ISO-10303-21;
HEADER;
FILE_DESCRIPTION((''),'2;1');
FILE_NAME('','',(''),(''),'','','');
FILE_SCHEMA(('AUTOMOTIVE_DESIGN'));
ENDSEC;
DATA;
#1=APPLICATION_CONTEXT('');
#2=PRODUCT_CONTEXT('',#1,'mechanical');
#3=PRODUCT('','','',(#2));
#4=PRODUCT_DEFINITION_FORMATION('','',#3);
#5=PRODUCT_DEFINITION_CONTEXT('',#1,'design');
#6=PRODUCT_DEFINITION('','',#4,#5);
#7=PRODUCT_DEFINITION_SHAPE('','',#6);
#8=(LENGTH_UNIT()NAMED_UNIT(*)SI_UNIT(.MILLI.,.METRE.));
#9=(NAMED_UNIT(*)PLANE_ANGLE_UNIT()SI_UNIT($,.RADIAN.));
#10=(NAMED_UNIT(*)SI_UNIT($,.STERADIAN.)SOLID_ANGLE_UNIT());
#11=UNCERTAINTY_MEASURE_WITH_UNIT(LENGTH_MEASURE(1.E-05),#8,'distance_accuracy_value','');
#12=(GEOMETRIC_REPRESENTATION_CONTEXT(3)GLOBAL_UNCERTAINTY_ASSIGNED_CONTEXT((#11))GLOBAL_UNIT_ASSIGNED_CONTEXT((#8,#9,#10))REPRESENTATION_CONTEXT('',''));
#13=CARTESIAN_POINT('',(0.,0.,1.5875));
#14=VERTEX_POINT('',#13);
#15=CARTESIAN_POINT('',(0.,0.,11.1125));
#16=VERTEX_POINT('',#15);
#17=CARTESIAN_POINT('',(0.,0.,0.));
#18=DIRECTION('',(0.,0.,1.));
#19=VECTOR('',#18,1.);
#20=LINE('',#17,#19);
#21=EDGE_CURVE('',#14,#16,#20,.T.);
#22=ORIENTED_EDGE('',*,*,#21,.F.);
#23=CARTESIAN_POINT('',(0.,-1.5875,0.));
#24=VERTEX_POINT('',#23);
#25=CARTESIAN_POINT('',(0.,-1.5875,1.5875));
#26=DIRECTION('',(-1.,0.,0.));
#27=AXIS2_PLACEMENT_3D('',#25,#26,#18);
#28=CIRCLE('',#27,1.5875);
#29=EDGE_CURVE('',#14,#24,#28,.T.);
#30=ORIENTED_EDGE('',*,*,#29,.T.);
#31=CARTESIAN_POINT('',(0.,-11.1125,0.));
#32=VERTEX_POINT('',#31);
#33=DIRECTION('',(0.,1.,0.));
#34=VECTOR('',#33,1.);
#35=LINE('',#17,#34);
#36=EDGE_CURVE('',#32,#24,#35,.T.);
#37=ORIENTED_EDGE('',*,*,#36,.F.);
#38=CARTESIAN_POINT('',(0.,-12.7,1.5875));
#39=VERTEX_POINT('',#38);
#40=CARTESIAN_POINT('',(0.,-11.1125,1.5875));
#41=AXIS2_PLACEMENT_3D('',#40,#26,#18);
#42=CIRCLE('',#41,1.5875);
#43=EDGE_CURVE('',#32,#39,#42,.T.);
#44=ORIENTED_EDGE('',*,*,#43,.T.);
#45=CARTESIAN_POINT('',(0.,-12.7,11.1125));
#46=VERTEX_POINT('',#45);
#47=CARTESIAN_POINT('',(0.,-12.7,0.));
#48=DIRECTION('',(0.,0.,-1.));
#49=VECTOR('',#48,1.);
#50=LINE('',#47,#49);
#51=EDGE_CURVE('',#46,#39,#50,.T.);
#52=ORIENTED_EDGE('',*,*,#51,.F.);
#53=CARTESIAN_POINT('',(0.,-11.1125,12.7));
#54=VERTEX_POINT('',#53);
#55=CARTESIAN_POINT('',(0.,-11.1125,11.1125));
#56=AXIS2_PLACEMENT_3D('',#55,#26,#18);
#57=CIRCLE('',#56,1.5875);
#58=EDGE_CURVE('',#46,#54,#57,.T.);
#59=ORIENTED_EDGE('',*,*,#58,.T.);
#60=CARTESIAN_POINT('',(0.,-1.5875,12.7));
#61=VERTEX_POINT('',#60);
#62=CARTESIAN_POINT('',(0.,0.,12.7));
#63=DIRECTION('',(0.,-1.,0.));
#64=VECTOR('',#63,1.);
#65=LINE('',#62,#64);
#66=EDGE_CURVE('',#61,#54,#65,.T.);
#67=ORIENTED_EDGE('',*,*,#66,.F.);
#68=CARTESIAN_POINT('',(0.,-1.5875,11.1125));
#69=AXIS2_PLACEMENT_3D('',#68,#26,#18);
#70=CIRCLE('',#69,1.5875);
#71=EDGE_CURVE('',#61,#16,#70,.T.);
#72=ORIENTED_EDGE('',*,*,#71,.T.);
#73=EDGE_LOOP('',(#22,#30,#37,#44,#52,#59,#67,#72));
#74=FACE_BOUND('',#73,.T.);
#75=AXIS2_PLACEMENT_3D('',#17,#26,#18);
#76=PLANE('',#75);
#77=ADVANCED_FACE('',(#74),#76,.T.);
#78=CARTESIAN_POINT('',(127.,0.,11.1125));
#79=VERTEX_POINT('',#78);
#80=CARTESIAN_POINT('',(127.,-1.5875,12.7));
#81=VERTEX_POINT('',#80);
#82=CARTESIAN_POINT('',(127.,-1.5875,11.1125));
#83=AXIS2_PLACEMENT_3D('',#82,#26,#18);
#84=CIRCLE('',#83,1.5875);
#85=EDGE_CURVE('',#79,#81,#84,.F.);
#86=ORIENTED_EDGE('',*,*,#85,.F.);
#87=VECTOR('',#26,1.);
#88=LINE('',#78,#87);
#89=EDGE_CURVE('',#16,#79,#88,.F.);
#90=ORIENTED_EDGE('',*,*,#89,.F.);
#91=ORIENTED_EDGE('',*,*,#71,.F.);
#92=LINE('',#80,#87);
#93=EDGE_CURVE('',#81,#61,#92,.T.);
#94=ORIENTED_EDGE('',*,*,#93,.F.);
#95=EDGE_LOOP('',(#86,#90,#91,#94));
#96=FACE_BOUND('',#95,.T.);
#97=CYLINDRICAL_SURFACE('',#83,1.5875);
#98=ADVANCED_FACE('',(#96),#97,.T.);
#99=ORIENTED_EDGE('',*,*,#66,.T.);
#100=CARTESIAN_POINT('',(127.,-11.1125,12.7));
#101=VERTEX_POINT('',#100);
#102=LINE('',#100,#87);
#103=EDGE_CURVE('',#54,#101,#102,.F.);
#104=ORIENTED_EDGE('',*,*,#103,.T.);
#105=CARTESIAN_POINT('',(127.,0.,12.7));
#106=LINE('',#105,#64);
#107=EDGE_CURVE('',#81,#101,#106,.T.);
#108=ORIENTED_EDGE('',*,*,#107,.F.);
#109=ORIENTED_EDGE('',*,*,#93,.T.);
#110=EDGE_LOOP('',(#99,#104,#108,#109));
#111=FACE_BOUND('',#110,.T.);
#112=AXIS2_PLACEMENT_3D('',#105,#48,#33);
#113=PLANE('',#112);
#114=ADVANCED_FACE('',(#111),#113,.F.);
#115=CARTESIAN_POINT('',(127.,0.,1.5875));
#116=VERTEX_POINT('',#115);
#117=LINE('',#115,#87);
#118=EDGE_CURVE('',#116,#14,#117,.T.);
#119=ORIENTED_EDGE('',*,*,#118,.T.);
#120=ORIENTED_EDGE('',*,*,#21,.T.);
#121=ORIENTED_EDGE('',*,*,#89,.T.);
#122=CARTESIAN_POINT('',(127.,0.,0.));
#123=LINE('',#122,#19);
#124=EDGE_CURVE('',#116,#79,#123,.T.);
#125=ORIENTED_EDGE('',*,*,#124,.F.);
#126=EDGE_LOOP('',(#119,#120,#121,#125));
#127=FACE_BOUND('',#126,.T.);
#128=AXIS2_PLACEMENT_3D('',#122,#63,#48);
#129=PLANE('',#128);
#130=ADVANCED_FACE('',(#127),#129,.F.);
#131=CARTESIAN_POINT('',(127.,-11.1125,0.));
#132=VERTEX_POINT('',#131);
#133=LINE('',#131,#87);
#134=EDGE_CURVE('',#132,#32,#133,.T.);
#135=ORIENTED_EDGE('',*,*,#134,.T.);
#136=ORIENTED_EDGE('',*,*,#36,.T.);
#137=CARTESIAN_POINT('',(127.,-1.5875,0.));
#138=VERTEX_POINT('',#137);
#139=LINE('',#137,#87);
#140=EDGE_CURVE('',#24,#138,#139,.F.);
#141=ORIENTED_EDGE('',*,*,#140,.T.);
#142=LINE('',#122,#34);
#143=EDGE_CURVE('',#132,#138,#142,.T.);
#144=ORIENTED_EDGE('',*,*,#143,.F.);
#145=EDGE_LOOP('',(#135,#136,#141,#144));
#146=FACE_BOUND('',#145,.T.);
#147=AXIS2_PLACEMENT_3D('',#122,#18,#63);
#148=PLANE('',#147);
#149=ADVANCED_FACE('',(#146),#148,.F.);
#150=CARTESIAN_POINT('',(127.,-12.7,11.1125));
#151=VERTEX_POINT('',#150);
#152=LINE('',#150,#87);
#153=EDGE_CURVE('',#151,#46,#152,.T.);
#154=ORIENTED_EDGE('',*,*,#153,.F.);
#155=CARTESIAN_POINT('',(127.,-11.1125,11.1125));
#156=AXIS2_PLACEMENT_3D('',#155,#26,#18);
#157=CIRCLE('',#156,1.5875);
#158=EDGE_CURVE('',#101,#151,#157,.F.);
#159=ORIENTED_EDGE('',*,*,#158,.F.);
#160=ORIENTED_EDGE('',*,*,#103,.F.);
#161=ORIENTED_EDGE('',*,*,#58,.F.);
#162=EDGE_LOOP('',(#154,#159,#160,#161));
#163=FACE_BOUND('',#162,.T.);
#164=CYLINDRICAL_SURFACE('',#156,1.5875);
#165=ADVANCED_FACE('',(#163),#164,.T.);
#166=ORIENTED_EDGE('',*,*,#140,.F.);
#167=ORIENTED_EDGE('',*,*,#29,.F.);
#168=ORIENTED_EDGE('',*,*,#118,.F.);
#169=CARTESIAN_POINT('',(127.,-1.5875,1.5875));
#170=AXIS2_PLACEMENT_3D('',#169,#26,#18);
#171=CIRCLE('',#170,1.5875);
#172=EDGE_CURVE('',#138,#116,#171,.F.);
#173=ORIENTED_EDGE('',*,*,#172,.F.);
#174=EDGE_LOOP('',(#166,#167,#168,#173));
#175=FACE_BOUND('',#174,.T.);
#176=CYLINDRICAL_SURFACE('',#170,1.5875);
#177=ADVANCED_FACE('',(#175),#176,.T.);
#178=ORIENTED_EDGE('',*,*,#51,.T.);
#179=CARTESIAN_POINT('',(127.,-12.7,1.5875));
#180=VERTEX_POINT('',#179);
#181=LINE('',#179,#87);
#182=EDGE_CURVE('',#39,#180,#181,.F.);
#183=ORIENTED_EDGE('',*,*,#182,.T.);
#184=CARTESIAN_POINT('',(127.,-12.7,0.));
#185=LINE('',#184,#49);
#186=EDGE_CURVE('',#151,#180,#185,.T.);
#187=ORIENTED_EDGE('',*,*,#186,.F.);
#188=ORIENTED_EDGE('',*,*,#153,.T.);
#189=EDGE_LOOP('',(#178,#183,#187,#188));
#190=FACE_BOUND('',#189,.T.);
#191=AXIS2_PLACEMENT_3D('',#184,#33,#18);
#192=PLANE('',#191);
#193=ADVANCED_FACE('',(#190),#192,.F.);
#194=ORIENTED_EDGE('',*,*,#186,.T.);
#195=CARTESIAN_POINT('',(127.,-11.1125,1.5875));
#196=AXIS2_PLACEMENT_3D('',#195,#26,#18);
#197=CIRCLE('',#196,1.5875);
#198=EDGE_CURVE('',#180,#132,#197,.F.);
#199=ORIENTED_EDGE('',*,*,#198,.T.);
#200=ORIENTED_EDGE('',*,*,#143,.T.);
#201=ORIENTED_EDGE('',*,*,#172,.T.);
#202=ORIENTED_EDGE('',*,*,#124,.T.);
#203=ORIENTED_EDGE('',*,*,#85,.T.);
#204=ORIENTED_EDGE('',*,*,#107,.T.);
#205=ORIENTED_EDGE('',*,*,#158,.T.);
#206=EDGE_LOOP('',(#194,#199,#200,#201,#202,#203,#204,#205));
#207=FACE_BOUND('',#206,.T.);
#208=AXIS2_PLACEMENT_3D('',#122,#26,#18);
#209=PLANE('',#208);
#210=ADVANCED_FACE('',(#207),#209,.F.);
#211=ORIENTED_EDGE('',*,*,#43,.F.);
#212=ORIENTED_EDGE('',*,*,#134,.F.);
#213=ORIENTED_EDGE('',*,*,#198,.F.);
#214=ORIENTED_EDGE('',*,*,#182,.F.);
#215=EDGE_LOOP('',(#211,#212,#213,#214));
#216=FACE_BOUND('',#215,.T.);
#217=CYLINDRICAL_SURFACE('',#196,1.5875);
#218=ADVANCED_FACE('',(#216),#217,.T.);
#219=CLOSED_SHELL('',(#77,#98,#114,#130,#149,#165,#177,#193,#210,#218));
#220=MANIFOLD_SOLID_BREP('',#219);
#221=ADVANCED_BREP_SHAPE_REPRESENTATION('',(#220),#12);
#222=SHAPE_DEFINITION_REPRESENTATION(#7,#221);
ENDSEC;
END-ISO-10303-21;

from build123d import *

# Parameters (mm, degrees)
SKETCH1_W           = 12.7
SKETCH1_H           = 12.7
BOSS_EXTRUDE1_DEPTH = 127
FILLET1_R           = 1.5875


with BuildPart() as part:
    # Sketch1 → Boss-Extrude1 (new body)
    with BuildSketch(Plane(origin=(0, 0, 0), x_dir=(0, 0, -1), z_dir=(1, 0, 0))):
        with Locations((-6.35, -6.35)):
            Rectangle(SKETCH1_W, SKETCH1_H)
    extrude(amount=BOSS_EXTRUDE1_DEPTH)

    # Fillet1
    fillet1_edges = [part.edges().sort_by_distance(p)[0] for p in [
        (63.5, -12.7, 0),
        (63.5, -12.7, 12.7),
        (63.5, 0, 12.7),
        (63.5, 0, 0),
    ]]
    fillet(fillet1_edges, radius=FILLET1_R)


solid = part.part
